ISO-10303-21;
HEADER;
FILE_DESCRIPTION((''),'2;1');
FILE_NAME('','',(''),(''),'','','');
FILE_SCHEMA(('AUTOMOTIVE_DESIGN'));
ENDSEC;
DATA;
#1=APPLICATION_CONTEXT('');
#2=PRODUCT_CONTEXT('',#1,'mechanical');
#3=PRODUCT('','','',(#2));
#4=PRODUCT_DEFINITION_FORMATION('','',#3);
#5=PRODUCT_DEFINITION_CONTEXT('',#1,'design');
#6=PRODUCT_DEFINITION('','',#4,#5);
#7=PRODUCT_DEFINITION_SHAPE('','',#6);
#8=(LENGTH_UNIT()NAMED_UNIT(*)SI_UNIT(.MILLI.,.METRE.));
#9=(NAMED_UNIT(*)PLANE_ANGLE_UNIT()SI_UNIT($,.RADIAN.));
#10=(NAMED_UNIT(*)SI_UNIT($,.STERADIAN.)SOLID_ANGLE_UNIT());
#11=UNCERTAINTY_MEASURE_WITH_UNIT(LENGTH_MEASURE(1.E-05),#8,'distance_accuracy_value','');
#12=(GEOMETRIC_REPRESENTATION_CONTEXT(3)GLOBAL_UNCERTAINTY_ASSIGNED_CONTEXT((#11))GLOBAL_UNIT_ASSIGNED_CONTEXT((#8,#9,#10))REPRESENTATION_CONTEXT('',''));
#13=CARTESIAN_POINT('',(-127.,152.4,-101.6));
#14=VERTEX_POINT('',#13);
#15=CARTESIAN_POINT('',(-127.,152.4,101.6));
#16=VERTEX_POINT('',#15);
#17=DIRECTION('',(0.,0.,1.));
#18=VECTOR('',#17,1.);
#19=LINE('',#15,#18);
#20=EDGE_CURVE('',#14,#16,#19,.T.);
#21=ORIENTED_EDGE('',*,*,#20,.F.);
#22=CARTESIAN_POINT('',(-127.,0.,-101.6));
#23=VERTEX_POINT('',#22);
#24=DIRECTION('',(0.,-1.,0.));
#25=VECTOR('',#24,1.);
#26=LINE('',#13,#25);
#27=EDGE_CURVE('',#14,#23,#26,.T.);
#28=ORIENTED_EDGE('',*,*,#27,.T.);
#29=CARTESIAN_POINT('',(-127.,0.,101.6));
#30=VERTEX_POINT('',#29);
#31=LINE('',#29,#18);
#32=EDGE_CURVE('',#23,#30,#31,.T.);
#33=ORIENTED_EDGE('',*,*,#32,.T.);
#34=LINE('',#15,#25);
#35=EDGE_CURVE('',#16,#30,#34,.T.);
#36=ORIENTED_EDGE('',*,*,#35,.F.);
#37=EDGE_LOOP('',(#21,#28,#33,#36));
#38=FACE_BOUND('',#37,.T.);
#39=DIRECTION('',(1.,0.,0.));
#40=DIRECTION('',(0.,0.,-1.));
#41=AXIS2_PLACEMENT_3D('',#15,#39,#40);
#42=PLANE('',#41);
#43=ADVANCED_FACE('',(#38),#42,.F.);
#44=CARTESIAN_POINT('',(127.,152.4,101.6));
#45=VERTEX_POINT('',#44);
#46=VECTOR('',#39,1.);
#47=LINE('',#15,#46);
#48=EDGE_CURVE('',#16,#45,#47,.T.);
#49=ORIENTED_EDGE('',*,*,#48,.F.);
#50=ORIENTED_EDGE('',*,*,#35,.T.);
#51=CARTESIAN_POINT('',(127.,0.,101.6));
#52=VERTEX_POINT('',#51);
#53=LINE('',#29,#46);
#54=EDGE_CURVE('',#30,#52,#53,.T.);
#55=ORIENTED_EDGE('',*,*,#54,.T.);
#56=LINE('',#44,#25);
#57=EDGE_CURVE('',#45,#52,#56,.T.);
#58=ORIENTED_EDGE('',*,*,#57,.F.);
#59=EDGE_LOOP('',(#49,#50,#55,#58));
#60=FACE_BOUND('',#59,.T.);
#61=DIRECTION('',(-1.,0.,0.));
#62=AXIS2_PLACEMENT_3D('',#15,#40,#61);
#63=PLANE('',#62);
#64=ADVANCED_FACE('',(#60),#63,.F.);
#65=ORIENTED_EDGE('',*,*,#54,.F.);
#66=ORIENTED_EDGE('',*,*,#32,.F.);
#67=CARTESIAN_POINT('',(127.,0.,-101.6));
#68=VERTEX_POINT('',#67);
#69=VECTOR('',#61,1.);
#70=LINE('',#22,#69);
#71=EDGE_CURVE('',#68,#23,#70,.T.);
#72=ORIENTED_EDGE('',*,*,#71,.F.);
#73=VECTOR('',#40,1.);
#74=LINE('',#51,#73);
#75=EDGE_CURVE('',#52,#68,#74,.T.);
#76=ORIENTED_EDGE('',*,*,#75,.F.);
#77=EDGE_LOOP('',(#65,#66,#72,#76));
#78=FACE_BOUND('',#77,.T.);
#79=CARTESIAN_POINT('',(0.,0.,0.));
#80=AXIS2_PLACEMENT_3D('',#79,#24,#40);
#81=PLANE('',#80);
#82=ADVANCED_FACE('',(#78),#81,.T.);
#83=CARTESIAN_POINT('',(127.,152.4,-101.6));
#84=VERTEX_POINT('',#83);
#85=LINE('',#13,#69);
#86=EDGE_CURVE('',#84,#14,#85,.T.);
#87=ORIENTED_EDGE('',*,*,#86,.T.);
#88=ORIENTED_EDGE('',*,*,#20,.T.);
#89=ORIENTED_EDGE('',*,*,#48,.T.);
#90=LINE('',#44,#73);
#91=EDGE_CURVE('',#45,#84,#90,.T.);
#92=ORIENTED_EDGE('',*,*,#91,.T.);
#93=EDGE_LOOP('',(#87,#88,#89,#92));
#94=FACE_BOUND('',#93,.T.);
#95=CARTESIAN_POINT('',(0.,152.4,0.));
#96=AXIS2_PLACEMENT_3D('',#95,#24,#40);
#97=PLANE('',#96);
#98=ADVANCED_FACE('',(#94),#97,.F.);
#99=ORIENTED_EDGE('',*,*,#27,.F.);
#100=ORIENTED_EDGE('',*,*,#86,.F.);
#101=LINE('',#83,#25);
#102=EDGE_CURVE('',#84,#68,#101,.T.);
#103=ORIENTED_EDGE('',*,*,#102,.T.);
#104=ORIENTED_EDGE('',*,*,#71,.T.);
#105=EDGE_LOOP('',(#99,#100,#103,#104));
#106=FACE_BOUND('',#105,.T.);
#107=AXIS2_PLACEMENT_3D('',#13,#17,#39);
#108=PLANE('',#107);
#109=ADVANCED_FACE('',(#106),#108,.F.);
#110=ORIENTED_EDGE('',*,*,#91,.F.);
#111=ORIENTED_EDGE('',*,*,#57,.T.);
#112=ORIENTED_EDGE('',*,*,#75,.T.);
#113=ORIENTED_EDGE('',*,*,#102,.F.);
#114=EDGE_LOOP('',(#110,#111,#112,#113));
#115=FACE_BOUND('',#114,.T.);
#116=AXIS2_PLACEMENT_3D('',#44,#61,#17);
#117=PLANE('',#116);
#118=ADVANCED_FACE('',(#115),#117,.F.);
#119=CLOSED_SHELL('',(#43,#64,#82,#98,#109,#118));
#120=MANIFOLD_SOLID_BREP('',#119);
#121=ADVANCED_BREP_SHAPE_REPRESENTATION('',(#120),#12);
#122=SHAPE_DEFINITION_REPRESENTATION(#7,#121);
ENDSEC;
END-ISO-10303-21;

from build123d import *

# Parameters (mm, degrees)
SKETCH1_W           = 254
SKETCH1_H           = 203.2
BOSS_EXTRUDE1_DEPTH = 152.4


with BuildPart() as part:
    # Sketch1 → Boss-Extrude1 (new body)
    with BuildSketch(Plane(origin=(0, 0, 0), x_dir=(1, 0, 0), z_dir=(0, 1, 0))):
        Rectangle(SKETCH1_W, SKETCH1_H)
    extrude(amount=BOSS_EXTRUDE1_DEPTH)


solid = part.part
